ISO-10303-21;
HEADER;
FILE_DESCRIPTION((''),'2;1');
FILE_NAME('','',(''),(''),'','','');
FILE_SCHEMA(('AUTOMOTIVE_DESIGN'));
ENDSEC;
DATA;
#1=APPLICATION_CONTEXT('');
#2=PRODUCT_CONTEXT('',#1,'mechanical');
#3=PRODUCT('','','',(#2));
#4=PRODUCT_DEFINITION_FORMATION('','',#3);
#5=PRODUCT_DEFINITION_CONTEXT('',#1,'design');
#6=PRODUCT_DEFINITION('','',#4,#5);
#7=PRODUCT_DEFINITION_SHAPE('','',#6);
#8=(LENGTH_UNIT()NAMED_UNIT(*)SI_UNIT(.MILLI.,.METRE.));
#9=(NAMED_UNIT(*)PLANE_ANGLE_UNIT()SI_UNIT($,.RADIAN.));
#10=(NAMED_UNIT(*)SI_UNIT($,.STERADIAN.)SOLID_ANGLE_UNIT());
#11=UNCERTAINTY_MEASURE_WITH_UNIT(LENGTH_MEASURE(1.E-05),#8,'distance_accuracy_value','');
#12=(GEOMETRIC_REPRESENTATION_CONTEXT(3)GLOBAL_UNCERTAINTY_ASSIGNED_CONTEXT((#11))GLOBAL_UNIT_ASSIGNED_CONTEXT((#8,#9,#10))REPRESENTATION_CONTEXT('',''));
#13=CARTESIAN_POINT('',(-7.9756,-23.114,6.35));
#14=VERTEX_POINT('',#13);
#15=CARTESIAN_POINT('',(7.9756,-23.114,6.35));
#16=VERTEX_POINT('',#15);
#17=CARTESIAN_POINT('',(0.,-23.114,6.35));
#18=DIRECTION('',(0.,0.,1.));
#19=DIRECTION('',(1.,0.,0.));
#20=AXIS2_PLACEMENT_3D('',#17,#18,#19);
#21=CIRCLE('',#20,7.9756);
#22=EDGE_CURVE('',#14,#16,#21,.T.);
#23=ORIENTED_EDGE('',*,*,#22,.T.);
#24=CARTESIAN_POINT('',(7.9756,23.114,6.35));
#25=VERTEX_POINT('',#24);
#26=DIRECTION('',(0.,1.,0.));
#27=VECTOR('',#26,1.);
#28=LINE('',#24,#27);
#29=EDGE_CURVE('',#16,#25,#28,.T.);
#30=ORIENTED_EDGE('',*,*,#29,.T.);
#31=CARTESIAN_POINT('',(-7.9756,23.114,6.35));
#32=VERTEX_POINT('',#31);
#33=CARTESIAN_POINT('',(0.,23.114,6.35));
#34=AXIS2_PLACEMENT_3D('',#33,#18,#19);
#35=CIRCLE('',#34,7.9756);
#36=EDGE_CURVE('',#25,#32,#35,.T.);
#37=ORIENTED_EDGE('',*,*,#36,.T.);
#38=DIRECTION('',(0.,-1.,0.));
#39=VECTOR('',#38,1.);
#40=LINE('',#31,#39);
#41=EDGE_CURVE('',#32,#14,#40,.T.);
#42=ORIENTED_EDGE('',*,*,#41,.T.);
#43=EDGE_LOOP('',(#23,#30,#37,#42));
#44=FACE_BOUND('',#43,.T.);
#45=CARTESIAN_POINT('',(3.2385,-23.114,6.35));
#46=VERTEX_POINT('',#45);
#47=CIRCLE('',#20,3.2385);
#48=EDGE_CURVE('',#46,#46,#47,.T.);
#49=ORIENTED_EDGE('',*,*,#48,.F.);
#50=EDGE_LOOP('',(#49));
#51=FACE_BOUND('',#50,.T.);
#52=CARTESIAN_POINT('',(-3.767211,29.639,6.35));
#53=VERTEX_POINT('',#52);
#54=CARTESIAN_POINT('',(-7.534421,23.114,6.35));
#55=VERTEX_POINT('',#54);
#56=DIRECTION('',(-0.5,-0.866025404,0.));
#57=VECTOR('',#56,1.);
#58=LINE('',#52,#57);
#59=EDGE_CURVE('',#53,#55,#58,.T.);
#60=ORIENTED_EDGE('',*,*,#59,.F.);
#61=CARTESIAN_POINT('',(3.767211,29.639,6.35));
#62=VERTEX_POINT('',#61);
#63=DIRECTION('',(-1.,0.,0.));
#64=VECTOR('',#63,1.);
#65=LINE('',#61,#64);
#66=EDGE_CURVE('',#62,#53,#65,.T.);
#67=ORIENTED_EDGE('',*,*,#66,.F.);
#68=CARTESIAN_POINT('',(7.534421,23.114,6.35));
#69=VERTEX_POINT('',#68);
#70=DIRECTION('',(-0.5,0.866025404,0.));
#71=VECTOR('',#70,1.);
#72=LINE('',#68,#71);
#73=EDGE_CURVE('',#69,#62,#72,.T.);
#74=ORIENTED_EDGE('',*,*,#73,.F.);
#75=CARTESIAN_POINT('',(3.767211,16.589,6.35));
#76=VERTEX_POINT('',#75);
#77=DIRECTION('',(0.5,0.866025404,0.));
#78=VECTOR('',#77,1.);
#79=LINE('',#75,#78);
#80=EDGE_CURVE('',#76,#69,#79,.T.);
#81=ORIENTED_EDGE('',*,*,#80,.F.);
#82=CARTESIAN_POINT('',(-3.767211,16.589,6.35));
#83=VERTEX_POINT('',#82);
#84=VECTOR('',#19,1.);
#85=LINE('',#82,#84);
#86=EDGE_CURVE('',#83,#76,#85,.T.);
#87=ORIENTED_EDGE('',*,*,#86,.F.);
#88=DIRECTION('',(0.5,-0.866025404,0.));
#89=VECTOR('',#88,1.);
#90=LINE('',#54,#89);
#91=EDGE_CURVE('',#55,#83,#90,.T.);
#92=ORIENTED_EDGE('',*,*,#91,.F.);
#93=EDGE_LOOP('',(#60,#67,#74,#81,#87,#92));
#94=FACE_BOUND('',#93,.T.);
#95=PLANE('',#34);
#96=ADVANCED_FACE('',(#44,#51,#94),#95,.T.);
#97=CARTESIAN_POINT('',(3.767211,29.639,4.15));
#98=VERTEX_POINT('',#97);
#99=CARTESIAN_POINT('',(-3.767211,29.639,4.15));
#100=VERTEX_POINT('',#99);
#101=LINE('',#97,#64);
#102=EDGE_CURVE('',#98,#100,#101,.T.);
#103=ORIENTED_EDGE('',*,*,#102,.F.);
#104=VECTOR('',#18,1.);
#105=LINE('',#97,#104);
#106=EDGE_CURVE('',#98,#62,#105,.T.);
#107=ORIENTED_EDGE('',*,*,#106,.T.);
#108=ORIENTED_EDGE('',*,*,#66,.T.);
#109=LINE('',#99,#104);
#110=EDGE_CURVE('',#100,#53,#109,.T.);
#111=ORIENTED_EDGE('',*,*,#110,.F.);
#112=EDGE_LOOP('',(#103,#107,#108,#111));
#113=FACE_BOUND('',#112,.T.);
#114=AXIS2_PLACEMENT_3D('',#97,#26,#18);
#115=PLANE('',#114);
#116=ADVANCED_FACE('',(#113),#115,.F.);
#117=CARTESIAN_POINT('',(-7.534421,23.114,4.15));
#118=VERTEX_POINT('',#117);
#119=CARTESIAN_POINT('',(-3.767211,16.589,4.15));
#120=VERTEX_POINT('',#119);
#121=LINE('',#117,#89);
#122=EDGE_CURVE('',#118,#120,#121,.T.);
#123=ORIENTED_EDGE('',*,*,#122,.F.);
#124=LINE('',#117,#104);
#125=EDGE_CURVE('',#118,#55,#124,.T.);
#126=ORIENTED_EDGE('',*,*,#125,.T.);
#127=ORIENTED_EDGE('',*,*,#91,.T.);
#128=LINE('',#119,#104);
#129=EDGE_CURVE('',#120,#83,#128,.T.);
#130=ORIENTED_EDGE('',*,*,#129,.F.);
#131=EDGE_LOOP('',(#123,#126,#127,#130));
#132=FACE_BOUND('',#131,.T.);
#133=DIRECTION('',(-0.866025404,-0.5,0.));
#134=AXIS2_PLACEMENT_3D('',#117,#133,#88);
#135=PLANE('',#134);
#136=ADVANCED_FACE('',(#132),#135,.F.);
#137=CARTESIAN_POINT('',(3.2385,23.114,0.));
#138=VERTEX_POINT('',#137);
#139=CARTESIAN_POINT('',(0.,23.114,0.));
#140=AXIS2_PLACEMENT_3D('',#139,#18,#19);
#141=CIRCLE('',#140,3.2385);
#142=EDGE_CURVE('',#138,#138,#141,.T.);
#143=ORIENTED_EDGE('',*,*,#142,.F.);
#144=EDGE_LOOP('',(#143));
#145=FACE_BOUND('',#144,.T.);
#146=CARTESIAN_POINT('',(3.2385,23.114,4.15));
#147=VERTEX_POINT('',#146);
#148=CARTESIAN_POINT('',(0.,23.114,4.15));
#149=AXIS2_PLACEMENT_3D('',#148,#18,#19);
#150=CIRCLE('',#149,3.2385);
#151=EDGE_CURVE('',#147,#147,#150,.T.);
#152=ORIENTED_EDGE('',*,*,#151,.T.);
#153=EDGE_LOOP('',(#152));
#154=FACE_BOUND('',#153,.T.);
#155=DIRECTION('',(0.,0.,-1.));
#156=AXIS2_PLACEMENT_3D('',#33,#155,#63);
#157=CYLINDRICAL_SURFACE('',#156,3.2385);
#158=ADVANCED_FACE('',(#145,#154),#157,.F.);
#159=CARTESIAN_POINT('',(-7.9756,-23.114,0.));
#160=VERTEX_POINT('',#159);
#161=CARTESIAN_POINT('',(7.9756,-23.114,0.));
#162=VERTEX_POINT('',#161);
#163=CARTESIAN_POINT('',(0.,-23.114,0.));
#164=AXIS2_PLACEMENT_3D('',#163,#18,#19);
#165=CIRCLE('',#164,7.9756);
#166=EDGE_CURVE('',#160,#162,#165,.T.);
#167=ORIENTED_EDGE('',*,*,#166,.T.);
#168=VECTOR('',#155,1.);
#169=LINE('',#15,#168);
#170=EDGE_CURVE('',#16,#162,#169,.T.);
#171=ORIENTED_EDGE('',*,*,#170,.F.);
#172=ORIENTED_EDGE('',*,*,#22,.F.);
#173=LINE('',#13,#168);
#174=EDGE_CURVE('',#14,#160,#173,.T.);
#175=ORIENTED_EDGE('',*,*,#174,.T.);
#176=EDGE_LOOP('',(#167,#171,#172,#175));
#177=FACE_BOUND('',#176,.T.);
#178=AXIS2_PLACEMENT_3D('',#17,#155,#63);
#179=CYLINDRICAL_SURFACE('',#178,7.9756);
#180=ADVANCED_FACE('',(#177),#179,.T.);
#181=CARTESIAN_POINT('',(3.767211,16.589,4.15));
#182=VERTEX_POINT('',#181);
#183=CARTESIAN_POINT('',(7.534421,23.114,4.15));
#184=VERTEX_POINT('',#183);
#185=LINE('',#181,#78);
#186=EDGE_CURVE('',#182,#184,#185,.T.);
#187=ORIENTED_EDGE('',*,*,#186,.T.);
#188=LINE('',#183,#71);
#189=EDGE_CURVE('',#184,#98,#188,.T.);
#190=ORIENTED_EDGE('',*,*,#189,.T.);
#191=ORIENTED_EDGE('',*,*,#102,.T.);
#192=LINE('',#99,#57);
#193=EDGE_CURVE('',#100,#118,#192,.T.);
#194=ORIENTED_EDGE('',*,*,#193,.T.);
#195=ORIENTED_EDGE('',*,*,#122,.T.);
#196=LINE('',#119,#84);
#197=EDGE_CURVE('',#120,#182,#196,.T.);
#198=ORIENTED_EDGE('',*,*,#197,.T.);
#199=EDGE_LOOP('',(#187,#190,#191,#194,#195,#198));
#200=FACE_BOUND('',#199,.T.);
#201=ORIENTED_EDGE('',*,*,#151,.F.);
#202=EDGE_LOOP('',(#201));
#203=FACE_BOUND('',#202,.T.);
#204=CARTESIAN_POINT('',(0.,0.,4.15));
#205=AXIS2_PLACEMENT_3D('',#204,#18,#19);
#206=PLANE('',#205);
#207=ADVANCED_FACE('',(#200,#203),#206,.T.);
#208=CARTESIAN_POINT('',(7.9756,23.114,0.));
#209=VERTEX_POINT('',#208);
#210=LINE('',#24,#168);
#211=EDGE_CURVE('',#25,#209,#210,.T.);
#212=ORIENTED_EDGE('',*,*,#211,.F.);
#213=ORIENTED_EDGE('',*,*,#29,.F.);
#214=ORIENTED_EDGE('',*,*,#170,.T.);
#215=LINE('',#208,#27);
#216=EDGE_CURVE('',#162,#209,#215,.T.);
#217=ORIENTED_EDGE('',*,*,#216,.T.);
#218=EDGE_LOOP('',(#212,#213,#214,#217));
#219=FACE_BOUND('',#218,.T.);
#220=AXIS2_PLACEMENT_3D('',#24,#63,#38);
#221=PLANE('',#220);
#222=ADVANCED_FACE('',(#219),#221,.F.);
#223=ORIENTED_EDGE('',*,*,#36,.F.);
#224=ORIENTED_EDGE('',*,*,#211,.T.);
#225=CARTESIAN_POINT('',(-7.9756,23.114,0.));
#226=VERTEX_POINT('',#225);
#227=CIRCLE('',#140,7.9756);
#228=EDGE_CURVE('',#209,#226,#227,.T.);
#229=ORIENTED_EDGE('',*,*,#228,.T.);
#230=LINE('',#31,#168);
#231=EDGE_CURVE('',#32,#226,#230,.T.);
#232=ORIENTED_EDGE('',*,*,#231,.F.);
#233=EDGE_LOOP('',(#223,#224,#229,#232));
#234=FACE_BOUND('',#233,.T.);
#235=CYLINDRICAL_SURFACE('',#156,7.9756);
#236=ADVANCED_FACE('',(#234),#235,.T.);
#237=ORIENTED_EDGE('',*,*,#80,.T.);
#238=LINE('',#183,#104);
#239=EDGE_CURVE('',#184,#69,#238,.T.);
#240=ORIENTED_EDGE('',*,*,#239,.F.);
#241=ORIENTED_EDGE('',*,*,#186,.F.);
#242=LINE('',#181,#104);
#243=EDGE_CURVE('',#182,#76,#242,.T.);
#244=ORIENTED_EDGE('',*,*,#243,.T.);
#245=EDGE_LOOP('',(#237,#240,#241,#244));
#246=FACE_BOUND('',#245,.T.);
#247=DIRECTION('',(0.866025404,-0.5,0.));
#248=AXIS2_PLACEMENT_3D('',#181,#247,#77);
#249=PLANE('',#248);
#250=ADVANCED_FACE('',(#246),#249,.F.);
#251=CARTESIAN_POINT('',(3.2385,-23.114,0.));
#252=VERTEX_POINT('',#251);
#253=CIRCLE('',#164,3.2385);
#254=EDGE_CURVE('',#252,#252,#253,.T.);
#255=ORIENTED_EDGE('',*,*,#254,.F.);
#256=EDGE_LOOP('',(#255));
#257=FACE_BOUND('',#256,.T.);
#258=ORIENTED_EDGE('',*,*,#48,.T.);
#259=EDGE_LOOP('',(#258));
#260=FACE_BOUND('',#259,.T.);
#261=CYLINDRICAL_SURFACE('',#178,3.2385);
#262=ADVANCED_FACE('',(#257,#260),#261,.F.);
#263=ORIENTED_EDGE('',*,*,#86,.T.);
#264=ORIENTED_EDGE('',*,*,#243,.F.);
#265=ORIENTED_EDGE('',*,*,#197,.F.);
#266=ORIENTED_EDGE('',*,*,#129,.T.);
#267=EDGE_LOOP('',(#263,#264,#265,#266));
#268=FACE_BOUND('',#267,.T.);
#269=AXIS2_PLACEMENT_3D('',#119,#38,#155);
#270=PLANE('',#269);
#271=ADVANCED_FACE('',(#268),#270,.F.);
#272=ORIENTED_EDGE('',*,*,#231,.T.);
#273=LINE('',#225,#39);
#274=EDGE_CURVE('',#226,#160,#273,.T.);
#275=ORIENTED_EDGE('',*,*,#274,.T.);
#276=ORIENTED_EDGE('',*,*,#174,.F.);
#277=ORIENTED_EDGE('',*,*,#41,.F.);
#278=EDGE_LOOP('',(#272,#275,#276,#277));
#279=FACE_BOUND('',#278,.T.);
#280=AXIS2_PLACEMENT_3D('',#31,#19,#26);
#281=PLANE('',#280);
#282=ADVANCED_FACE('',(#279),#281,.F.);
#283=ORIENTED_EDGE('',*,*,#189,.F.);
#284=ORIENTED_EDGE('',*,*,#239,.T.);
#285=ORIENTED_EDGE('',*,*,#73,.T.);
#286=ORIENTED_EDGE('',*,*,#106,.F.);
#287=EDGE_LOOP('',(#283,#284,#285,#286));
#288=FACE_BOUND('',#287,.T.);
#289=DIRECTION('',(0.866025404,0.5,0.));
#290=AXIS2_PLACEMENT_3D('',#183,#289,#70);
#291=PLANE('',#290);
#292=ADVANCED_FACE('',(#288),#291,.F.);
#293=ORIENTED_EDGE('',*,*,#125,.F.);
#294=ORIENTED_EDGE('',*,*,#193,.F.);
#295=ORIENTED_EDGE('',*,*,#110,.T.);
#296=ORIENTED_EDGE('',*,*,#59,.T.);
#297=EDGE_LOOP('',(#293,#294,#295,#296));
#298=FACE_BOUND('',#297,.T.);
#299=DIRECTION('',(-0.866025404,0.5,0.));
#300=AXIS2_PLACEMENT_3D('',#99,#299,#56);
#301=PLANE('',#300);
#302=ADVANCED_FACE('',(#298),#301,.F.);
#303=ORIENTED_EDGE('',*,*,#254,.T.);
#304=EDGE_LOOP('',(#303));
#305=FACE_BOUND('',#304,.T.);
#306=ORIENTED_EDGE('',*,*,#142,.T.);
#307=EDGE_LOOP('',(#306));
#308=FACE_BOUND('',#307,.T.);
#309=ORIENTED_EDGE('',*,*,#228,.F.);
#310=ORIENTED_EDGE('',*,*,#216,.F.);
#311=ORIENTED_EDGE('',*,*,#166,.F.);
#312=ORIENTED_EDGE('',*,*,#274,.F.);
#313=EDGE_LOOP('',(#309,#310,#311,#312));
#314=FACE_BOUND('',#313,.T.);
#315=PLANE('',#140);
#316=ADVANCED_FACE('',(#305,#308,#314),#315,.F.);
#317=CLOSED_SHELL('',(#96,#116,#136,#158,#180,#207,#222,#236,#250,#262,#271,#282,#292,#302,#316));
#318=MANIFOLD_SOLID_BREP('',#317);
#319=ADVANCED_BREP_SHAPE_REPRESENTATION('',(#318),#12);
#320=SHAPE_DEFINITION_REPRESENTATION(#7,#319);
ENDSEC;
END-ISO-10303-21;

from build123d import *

# Parameters (mm, degrees)
SKETCH1_R           = 3.2385
BOSS_EXTRUDE1_DEPTH = 6.35
CUT_EXTRUDE1_DEPTH  = 2.2


with BuildPart() as part:
    # Sketch1 → Boss-Extrude1 (new body)
    with BuildSketch(Plane.XY):
        with BuildLine():
            Line((7.9756, 23.114), (7.9756, -23.114))
            ThreePointArc((7.9756, -23.114), (0, -31.0896), (-7.9756, -23.114))
            Line((-7.9756, -23.114), (-7.9756, 23.114))
            ThreePointArc((-7.9756, 23.114), (0, 31.0896), (7.9756, 23.114))
        make_face()
        with Locations((0, 23.114)):
            Circle(SKETCH1_R, mode=Mode.SUBTRACT)
        with Locations((0, -23.114)):
            Circle(SKETCH1_R, mode=Mode.SUBTRACT)
    extrude(amount=BOSS_EXTRUDE1_DEPTH)

    # Sketch2 → Cut-Extrude1 (cut)
    with BuildSketch(Plane.XY.offset(6.35)):
        Polygon((-7.534421013, 23.114), (-3.767210506, 16.589), (3.767210506, 16.589), (7.534421013, 23.114), (3.767210506, 29.639), (-3.767210506, 29.639), align=None)
    extrude(amount=-CUT_EXTRUDE1_DEPTH, mode=Mode.SUBTRACT)


solid = part.part
